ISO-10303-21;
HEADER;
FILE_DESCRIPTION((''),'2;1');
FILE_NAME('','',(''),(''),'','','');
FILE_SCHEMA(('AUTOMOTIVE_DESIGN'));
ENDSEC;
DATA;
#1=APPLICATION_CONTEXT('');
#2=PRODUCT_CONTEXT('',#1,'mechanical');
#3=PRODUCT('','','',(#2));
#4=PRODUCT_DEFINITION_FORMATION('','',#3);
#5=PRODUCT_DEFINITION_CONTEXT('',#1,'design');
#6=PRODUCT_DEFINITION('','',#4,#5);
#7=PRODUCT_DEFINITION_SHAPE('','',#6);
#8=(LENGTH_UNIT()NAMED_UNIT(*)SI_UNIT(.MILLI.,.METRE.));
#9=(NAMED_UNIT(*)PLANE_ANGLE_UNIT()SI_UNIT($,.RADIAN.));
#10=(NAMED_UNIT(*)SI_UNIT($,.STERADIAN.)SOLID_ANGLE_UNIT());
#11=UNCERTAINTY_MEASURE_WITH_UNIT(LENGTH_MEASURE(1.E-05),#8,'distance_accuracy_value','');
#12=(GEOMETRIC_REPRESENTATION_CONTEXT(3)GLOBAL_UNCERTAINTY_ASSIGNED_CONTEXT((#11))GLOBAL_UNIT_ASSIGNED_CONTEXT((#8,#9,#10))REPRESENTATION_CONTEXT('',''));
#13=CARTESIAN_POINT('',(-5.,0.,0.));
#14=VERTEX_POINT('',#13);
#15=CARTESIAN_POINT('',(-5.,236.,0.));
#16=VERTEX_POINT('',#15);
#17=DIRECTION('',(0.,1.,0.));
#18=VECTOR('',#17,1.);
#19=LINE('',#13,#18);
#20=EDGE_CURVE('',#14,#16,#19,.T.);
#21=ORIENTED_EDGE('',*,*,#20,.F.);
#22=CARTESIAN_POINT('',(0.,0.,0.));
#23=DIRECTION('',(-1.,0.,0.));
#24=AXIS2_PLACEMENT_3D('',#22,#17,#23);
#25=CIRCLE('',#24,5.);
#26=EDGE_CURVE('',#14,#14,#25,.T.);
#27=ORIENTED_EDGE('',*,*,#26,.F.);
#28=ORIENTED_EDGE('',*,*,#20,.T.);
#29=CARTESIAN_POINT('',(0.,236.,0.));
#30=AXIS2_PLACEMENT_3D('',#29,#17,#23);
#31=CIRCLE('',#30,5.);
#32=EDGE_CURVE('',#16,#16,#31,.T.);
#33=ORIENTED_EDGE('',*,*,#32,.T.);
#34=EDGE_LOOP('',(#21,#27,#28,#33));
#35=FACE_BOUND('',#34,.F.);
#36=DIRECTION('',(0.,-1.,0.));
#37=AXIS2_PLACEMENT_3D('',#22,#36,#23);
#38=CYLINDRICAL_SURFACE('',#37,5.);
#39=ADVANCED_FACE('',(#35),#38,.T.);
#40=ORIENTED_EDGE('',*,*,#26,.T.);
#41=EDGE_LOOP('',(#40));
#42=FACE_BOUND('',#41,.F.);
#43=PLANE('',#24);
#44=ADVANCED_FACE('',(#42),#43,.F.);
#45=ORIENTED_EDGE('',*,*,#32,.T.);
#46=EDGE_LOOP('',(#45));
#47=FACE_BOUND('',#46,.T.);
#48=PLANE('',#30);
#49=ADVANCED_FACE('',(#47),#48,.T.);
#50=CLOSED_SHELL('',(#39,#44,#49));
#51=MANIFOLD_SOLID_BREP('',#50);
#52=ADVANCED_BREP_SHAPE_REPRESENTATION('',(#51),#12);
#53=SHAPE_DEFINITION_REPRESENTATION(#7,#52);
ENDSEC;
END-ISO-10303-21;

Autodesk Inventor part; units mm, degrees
ref_plane "YZ Plane" through (0, 0, 0) normal (1, 0, 0) x (0, 1, 0)
ref_plane "XZ Plane" through (0, 0, 0) normal (0, 1, 0) x (-1, 0, 0)
ref_plane "XY Plane" through (0, 0, 0) normal (0, 0, 1) x (1, 0, 0)
sketch "Szkic1" plane through (0, 0, 0) normal (0, 1, 0) x (-1, 0, 0)
  circle A0 centre (0, 0) radius 5
  dimension "d0" = 10
extrude "Wyciągnięcie proste1" add sketch "Szkic1" along normal blind 236
properties part number "Pręt liniowy osi Z"
